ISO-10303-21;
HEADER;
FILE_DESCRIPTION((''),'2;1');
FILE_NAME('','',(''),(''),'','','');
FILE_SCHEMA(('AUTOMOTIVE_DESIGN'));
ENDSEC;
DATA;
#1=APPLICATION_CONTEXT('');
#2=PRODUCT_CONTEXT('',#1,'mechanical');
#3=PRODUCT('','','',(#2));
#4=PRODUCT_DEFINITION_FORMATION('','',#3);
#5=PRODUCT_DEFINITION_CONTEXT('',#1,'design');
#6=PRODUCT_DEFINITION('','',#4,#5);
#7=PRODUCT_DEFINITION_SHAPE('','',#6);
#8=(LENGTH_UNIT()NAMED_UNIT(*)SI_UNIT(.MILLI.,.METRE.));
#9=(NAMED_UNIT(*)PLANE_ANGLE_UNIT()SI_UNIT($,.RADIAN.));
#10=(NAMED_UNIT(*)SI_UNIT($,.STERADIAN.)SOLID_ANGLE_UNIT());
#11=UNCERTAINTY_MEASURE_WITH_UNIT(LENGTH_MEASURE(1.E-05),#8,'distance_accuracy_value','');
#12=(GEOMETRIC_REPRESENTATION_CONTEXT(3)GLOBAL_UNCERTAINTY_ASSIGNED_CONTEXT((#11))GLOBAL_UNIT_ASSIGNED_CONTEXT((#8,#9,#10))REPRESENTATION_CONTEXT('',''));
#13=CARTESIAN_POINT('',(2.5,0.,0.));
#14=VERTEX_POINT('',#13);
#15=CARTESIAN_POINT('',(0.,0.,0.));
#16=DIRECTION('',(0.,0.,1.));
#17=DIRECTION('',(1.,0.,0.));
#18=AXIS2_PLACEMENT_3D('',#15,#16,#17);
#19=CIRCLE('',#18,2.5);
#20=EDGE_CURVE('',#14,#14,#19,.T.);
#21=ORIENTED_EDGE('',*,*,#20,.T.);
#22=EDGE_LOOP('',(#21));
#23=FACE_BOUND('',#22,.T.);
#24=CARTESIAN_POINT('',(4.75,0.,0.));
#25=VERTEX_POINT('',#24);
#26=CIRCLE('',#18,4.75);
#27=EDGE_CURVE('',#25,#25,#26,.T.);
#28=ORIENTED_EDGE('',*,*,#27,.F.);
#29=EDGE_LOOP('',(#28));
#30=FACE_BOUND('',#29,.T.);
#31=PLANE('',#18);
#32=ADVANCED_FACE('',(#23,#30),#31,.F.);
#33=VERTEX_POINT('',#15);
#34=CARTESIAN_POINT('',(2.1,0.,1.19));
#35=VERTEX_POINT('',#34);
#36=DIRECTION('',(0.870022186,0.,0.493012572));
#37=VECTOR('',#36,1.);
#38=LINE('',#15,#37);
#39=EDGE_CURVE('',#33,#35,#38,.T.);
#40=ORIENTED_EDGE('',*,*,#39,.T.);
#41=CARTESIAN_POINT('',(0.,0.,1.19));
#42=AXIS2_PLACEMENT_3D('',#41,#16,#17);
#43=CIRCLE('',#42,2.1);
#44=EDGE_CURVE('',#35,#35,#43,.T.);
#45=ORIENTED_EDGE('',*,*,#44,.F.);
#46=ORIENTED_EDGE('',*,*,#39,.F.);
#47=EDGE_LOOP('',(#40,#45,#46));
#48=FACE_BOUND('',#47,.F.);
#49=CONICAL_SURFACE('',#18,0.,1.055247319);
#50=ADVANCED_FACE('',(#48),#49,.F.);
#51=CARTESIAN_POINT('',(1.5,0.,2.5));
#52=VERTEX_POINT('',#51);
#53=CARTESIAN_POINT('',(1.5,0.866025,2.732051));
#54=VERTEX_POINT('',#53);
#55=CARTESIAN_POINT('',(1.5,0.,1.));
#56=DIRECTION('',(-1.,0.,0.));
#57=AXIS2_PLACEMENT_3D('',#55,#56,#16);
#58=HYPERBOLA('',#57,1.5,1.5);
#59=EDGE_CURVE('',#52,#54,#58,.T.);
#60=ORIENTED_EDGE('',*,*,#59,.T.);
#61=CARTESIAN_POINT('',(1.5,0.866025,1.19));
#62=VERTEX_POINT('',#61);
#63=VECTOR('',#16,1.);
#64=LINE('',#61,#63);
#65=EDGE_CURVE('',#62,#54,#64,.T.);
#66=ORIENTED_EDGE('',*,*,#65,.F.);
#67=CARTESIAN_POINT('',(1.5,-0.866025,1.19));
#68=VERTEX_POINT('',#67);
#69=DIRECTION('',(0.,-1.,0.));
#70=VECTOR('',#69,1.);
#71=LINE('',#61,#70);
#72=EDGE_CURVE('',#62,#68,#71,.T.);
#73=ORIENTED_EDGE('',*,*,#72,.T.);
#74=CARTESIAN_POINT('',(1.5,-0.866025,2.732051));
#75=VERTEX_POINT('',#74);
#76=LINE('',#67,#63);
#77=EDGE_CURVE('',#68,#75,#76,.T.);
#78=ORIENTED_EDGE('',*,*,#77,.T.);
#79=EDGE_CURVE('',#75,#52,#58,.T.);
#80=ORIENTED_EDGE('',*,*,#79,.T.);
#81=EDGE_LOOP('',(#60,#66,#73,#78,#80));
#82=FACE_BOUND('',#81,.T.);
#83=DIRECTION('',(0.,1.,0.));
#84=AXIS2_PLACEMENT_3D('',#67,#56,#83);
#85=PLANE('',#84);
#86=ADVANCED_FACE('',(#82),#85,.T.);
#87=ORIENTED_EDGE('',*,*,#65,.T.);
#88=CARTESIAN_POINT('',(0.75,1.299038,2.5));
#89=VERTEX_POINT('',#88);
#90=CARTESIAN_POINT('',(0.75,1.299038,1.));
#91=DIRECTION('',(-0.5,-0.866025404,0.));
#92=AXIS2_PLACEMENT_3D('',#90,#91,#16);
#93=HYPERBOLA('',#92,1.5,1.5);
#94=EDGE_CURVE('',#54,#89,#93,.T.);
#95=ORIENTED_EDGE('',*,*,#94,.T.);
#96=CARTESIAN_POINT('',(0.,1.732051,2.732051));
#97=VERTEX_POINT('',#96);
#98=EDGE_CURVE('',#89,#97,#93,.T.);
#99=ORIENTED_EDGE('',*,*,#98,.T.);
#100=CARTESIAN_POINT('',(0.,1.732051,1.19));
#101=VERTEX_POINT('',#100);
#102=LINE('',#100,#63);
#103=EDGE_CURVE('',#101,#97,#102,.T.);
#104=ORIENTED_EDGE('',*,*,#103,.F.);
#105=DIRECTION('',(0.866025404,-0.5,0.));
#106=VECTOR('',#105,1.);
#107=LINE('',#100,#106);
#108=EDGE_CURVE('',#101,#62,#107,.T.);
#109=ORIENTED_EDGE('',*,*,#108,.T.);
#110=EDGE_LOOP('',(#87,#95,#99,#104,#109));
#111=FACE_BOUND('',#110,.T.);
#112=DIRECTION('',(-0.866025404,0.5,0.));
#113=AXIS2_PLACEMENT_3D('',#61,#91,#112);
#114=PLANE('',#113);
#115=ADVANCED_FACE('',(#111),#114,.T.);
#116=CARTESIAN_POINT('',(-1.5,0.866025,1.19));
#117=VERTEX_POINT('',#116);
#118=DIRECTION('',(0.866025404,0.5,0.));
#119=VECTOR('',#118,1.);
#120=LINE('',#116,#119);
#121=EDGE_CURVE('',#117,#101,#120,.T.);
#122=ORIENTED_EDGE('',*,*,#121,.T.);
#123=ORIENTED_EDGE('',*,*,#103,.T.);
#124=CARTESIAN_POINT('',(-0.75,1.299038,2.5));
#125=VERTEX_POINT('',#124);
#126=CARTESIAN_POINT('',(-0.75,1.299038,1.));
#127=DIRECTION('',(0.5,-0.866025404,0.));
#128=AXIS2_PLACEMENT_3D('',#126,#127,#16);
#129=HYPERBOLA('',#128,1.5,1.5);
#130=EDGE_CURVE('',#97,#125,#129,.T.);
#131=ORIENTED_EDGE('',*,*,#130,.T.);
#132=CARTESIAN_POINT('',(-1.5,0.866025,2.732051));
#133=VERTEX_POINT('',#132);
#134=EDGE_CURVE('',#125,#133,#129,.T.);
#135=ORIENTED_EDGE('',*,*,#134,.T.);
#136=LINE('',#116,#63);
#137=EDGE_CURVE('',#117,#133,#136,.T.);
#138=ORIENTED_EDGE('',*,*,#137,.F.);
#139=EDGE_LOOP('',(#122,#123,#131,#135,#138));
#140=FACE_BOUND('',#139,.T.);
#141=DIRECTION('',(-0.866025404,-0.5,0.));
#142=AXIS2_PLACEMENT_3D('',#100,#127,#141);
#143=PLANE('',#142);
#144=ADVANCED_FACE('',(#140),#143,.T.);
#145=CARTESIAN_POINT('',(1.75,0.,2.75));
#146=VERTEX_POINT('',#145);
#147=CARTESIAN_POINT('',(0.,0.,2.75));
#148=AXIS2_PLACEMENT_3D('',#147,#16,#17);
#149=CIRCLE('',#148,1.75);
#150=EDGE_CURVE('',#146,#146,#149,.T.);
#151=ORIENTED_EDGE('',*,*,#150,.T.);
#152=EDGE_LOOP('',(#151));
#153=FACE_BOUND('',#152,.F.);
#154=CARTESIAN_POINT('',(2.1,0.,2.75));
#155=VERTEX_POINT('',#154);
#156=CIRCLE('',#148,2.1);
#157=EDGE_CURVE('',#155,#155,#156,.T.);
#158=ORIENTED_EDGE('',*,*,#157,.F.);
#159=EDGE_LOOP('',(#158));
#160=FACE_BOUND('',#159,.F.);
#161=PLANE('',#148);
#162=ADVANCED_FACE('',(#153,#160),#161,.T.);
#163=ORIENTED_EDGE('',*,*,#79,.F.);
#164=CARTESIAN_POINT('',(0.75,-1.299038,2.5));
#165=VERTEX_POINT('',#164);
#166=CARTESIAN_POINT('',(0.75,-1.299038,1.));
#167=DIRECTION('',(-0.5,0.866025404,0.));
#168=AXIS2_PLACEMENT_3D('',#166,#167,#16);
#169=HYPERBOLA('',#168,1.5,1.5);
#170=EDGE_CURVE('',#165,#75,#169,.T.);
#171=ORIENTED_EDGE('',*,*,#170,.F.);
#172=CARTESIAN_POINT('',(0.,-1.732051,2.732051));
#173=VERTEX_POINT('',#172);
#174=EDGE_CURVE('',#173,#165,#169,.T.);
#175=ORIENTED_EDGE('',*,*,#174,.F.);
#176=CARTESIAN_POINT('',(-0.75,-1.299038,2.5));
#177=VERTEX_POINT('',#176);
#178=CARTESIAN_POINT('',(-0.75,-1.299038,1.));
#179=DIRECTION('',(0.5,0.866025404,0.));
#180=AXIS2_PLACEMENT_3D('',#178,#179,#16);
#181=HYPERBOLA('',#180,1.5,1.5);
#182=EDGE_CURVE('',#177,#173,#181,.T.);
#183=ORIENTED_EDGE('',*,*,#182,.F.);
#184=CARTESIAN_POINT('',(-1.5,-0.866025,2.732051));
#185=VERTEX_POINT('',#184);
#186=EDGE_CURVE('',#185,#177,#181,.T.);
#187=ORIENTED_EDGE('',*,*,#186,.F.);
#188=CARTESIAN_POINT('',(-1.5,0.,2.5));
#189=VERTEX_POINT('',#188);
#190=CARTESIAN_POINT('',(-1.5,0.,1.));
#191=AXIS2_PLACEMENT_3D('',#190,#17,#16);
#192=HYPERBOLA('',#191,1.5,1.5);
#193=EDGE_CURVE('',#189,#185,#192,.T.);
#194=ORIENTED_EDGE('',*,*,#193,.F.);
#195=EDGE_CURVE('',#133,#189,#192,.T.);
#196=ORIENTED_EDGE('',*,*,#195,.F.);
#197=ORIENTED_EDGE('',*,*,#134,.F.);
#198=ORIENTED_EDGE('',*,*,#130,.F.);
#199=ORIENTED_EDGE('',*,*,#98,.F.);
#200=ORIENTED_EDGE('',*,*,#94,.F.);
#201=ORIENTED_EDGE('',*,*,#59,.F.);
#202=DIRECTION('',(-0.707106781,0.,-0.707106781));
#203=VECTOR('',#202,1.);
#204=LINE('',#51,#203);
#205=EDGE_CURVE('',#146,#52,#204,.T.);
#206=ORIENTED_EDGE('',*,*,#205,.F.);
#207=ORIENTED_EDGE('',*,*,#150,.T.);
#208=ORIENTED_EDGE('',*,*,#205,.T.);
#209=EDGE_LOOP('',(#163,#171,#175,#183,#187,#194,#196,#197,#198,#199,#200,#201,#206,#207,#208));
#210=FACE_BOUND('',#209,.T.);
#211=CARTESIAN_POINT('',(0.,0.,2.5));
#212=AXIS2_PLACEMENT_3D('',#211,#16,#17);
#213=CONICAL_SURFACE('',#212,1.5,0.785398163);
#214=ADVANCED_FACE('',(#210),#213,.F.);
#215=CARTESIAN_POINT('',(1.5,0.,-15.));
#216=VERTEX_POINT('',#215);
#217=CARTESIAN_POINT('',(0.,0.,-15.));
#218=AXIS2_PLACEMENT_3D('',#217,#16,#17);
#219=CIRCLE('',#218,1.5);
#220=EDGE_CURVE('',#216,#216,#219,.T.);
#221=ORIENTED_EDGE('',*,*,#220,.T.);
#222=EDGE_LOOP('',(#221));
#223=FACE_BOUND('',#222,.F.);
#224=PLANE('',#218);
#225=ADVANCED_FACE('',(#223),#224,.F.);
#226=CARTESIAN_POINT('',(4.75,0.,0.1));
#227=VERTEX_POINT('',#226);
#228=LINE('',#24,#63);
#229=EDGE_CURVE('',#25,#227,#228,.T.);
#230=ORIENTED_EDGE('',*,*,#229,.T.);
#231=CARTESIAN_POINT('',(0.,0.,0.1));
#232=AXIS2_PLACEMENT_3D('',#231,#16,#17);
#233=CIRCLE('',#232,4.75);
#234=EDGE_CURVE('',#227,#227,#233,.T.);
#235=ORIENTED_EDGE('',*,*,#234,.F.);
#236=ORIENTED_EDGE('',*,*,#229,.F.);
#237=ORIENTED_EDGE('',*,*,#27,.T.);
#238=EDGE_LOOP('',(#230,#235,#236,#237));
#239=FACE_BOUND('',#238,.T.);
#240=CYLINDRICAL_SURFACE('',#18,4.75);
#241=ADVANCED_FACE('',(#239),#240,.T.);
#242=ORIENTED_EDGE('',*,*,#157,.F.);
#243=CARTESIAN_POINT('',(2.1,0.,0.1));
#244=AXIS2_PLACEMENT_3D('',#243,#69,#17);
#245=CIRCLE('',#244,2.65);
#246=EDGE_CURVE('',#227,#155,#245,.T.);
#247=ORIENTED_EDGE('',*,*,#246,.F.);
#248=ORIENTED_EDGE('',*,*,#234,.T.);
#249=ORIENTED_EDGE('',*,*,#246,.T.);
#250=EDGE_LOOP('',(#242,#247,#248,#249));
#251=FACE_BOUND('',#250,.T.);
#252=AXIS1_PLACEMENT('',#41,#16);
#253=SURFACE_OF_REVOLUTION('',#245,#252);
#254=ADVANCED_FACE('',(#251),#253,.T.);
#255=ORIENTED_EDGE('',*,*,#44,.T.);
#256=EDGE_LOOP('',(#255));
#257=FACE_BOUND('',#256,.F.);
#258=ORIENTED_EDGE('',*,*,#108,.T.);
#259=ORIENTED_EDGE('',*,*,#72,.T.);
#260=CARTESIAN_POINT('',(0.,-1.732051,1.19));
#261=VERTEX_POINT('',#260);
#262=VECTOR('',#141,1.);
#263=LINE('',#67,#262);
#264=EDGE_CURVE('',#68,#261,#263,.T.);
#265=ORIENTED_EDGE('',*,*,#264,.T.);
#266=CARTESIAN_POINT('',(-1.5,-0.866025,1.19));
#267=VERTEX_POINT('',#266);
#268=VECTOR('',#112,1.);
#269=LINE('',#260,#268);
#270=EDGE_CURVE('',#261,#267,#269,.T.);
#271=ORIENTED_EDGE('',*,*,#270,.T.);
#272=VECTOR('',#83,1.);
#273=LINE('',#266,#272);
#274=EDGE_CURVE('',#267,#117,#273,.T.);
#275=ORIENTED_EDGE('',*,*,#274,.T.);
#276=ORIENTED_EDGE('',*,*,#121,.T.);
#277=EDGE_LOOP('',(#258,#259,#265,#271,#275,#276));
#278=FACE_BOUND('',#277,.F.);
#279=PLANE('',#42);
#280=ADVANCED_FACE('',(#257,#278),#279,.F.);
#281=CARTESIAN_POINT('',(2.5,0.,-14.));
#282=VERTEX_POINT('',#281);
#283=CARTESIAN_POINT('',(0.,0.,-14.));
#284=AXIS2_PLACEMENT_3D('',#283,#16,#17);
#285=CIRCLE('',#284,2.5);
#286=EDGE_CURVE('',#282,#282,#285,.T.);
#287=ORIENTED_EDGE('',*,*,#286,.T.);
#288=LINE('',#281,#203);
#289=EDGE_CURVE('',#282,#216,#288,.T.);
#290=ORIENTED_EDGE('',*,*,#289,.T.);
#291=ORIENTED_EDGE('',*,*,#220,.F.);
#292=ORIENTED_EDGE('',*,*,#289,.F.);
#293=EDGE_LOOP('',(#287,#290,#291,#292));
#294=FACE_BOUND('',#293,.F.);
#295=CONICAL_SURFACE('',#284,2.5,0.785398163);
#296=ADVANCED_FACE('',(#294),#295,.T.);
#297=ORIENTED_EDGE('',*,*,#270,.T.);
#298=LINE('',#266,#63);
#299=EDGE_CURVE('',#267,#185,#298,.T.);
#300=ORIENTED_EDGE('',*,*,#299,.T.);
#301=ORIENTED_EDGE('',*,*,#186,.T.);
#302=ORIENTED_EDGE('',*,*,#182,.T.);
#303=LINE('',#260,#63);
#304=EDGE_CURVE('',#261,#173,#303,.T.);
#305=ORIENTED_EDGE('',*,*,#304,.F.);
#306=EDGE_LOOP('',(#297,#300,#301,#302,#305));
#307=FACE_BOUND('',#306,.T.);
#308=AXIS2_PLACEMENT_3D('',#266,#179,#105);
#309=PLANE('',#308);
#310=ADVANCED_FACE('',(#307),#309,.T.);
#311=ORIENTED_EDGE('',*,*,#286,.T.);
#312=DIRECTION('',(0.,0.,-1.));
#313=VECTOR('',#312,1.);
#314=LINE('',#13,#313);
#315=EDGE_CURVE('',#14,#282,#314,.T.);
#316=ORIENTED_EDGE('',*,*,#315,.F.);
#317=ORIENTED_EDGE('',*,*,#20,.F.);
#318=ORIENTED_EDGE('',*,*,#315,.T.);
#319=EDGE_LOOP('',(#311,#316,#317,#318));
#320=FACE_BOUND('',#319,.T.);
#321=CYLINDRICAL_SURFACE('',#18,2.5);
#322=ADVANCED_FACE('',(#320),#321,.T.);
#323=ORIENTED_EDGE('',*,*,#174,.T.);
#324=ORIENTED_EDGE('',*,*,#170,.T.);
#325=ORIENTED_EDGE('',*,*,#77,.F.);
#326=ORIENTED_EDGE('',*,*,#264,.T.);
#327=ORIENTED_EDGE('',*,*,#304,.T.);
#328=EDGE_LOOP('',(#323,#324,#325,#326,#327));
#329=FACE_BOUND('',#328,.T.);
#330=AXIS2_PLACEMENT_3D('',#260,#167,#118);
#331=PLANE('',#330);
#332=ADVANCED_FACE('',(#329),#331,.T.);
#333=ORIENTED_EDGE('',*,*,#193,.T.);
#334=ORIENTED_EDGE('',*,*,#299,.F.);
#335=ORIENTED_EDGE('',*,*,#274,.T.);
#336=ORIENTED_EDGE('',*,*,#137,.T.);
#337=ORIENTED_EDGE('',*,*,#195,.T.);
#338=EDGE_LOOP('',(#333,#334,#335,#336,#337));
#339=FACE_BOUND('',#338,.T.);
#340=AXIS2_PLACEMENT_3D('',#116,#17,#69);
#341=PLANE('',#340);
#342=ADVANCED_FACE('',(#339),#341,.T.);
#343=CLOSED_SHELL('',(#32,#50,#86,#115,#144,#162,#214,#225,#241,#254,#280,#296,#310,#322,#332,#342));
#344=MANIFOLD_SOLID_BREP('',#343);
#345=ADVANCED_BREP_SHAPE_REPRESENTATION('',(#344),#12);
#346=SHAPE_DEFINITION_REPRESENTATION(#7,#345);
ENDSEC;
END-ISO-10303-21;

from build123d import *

# Parameters (mm, degrees)
SKETCH002_R     = 2.5
PAD001_DEPTH    = 15
CHAMFER001_SIZE = 1
PAD_DEPTH       = 2
CHAMFER_SIZE    = 0.25


with BuildPart() as body002:
    # Sketch002 → Pad001 (new body)
    with BuildSketch(Plane.XY):
        Circle(SKETCH002_R)
    extrude(amount=-PAD001_DEPTH)

    # Chamfer001
    chamfer001_edges = [body002.edges().sort_by_distance(p)[0] for p in [
        (-2.5, 0, -15),
    ]]
    chamfer(chamfer001_edges, length=CHAMFER001_SIZE)


with BuildPart() as body001:
    # Sketch001 → Pad (new body)
    with BuildSketch(Plane.XY):
        Polygon((1.5, -0.8660254038), (1.5, 0.8660254038), (0, 1.7320508076), (-1.5, 0.8660254038), (-1.5, -0.8660254038), (0, -1.7320508076), align=None)
    extrude(amount=PAD_DEPTH)


with BuildPart() as fusion:
    # Sketch → Revolution (revolve)
    with BuildSketch(Plane.XZ):
        with BuildLine():
            Line((0, -1.19), (4.75, -1.19))
            Line((4.75, -1.19), (4.75, -1.09))
            ThreePointArc((4.75, -1.09), (3.9738329701, 0.7838329701), (2.1, 1.56))
            Line((1.5, 1.56), (2.1, 1.56))
            Line((1.5, 0), (1.5, 1.56))
            Line((2.1, 0), (1.5, 0))
            Line((0, -1.19), (2.1, 0))
        make_face()
    revolve(axis=Axis((0, 0, 0), (0, 0, 1)))

    # Chamfer
    chamfer_edges = [fusion.edges().sort_by_distance(p)[0] for p in [
        (-1.5, 0, 1.56),
    ]]
    chamfer(chamfer_edges, length=CHAMFER_SIZE)

    # Cut: cut Body001
    add(body001.part, mode=Mode.SUBTRACT)


with BuildPart() as fusion_1:
    # Cut placement: moved
    add(fusion.part.moved(Location((0, 0, 1.19))))

    # Fusion: union Body002
    add(body002.part)


solid = fusion_1.part
